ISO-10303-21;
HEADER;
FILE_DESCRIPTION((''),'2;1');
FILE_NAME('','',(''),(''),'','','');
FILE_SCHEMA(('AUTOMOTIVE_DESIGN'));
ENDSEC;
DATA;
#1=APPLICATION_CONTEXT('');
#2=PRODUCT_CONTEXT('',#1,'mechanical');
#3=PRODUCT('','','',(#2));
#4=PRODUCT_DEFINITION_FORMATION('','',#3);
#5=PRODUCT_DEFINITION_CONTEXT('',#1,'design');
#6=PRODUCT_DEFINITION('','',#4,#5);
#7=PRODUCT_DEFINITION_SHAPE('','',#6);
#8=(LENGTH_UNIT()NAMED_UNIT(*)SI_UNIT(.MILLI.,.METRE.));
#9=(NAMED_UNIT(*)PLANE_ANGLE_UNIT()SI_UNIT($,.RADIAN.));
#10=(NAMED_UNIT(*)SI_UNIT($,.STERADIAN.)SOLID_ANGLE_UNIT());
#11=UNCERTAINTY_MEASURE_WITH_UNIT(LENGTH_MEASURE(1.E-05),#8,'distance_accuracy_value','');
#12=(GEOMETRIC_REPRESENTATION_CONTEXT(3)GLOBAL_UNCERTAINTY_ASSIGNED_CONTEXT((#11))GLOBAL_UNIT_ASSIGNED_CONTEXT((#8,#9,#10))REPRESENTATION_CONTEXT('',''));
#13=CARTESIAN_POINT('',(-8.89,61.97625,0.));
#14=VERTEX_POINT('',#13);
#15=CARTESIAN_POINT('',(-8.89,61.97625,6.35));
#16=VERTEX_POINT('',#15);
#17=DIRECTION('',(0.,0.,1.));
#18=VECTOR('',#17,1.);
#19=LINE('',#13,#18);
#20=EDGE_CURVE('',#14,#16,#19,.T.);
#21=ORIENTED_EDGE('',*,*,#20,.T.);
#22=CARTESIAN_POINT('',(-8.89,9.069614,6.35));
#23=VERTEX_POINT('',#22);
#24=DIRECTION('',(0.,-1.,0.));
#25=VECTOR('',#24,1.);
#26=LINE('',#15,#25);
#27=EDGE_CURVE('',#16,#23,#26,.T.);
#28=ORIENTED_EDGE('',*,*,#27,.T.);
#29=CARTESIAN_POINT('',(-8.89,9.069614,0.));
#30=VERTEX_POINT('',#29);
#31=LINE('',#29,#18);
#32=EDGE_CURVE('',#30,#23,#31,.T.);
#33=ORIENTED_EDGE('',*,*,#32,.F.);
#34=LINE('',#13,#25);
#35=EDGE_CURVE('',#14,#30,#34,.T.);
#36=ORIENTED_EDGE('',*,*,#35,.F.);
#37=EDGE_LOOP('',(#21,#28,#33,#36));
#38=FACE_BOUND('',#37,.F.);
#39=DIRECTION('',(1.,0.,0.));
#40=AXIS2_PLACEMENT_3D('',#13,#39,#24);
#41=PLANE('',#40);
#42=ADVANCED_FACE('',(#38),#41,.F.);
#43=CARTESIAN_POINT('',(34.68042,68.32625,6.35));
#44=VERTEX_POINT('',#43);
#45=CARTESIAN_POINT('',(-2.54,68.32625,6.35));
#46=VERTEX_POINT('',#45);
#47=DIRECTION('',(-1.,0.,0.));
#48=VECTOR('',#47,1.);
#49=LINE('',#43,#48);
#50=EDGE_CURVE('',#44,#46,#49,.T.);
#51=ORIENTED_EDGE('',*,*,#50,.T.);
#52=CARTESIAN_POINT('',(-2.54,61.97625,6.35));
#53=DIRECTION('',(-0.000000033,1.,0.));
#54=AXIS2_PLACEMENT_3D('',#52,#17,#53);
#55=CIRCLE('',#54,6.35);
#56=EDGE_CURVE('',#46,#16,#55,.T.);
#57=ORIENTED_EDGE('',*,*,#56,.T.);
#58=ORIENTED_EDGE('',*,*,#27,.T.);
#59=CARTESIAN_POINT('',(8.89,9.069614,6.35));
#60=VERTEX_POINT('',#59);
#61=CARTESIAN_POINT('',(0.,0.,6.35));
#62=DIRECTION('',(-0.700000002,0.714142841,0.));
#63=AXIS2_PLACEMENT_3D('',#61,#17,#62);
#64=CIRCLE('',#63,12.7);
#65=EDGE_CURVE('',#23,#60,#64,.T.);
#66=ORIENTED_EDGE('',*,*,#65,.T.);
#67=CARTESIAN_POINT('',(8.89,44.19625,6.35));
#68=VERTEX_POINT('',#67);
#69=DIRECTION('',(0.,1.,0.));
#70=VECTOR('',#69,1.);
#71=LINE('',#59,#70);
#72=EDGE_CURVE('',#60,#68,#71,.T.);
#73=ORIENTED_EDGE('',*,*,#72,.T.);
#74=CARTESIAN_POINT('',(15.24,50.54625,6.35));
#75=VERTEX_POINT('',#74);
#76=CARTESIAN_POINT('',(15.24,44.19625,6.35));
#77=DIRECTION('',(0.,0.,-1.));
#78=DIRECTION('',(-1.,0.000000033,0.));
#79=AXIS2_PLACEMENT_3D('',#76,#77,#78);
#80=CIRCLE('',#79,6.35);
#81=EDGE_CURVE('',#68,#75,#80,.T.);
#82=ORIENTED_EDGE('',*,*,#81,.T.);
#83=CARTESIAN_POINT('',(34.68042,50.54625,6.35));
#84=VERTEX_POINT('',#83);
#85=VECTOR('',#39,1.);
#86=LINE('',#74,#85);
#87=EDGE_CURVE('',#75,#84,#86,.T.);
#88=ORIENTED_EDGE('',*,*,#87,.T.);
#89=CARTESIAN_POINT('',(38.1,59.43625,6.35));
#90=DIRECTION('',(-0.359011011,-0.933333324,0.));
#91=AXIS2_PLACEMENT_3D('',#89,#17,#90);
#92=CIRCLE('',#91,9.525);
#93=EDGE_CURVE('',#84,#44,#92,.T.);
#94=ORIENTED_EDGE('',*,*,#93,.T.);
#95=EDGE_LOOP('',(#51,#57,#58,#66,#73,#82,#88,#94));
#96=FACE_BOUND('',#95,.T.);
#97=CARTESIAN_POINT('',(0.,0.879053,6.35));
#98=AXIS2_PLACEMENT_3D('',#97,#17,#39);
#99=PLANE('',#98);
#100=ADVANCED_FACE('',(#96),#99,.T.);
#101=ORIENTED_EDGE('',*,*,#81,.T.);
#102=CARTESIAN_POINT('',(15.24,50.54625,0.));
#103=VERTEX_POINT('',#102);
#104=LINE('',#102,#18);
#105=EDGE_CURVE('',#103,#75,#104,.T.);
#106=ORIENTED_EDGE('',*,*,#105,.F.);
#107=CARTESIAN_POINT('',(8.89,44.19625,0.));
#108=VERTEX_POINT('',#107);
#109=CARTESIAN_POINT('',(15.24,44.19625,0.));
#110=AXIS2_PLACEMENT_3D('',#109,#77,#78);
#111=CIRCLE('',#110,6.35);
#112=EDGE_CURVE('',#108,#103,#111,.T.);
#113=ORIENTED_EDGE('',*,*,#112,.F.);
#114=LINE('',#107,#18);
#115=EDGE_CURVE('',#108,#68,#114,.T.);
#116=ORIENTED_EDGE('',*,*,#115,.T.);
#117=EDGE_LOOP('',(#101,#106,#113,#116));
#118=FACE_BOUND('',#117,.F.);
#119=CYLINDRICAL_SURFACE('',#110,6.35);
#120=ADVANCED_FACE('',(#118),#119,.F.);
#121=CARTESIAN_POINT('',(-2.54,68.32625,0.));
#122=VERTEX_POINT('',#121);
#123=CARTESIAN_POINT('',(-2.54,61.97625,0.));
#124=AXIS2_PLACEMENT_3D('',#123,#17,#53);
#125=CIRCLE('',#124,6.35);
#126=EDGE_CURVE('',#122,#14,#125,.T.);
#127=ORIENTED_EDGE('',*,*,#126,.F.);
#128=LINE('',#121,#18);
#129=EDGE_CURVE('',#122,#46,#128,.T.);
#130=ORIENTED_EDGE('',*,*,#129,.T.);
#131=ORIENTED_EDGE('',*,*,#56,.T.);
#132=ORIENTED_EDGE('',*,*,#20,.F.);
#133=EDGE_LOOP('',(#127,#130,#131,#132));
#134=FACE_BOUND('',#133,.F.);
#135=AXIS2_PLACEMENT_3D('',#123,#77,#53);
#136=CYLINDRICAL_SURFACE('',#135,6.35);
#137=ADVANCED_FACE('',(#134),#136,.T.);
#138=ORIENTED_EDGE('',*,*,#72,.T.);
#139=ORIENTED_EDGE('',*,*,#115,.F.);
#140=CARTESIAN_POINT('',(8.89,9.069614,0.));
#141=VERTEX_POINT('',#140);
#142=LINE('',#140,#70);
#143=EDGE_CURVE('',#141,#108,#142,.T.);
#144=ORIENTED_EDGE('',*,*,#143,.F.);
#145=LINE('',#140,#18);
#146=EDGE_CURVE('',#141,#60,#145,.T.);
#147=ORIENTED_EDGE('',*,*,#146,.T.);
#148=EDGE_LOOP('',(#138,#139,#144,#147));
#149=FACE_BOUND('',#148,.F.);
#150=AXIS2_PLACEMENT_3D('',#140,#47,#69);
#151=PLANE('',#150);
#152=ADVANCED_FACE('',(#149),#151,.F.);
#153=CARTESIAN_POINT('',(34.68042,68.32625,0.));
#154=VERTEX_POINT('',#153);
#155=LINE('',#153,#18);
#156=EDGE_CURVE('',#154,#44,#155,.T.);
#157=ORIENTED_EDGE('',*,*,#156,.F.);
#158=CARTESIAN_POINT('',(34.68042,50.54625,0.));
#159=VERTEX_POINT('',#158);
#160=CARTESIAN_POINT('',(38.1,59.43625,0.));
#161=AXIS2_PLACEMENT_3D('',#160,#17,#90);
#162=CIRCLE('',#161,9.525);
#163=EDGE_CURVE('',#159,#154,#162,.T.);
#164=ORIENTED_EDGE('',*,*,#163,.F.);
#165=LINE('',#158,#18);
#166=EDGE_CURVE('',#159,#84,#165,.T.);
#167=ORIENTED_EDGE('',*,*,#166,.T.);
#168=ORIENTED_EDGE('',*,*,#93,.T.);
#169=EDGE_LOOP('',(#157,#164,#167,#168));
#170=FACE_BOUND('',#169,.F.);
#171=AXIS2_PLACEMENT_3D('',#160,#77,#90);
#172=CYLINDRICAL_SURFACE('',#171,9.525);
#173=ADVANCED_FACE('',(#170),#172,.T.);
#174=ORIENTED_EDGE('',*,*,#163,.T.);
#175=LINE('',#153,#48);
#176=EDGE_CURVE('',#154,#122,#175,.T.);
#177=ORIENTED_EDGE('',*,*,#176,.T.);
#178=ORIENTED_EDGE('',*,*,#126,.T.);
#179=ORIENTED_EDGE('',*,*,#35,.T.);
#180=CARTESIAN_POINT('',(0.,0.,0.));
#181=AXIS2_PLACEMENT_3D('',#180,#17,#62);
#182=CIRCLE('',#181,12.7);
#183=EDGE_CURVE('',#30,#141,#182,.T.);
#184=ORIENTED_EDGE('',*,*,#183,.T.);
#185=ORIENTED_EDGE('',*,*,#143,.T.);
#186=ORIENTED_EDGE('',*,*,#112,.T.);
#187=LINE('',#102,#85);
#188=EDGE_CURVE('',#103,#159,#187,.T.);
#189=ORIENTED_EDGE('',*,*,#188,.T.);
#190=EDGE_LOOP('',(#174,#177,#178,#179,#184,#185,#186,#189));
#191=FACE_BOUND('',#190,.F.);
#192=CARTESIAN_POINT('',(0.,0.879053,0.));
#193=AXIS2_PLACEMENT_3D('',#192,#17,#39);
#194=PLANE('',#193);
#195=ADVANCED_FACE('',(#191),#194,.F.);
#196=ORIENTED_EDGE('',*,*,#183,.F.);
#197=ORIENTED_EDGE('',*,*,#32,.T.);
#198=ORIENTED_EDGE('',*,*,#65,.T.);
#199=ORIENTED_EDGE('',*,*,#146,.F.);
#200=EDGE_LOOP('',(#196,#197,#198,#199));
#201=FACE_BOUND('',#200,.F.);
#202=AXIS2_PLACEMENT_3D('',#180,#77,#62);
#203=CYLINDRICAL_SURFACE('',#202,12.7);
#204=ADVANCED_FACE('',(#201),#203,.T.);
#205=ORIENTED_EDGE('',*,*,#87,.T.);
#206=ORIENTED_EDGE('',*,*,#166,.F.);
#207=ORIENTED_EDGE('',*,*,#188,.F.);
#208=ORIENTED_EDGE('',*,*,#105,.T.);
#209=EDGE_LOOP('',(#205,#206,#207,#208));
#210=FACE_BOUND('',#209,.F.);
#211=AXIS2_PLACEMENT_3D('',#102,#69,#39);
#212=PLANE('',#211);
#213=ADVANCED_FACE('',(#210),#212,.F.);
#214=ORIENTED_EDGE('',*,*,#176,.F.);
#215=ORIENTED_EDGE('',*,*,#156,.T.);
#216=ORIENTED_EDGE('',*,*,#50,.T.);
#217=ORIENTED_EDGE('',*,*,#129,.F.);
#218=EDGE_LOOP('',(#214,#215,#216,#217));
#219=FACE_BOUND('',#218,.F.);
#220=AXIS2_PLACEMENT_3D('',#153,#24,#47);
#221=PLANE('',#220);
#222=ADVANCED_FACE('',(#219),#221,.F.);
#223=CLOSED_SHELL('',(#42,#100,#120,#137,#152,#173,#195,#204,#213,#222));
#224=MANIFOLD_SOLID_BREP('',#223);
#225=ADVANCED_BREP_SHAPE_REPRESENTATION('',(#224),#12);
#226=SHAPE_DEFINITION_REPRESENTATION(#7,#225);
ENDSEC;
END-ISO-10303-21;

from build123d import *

# Parameters (mm, degrees)
F1_DEPTH = 6.35


with BuildPart() as f1:
    # F0 (on Top) → F1 (new body)
    with BuildSketch(Plane.XY):
        with BuildLine():
            ThreePointArc((0, 12.7), (-4.801349, 11.757425), (-8.89, 9.069614))
            ThreePointArc((-8.89, 9.069614), (0, -12.7), (8.89, 9.069614))
            ThreePointArc((8.89, 9.069614), (4.801349, 11.757425), (0, 12.7))
        make_face()
        with BuildLine():
            Line((-8.89, 61.97625), (-8.89, 9.069614))
            ThreePointArc((-8.89, 9.069614), (-4.801349, 11.757425), (0, 12.7))
            ThreePointArc((0, 12.7), (4.801349, 11.757425), (8.89, 9.069614))
            Line((8.89, 9.069614), (8.89, 44.19625))
            ThreePointArc((8.89, 44.19625), (10.749872, 48.686378), (15.24, 50.54625))
            Line((15.24, 50.54625), (34.68042, 50.54625))
            ThreePointArc((34.68042, 50.54625), (47.625, 59.43625), (34.68042, 68.32625))
            Line((34.68042, 68.32625), (-2.54, 68.32625))
            ThreePointArc((-2.54, 68.32625), (-7.030128, 66.466378), (-8.89, 61.97625))
        make_face()
    extrude(amount=F1_DEPTH)


solid = f1.part
